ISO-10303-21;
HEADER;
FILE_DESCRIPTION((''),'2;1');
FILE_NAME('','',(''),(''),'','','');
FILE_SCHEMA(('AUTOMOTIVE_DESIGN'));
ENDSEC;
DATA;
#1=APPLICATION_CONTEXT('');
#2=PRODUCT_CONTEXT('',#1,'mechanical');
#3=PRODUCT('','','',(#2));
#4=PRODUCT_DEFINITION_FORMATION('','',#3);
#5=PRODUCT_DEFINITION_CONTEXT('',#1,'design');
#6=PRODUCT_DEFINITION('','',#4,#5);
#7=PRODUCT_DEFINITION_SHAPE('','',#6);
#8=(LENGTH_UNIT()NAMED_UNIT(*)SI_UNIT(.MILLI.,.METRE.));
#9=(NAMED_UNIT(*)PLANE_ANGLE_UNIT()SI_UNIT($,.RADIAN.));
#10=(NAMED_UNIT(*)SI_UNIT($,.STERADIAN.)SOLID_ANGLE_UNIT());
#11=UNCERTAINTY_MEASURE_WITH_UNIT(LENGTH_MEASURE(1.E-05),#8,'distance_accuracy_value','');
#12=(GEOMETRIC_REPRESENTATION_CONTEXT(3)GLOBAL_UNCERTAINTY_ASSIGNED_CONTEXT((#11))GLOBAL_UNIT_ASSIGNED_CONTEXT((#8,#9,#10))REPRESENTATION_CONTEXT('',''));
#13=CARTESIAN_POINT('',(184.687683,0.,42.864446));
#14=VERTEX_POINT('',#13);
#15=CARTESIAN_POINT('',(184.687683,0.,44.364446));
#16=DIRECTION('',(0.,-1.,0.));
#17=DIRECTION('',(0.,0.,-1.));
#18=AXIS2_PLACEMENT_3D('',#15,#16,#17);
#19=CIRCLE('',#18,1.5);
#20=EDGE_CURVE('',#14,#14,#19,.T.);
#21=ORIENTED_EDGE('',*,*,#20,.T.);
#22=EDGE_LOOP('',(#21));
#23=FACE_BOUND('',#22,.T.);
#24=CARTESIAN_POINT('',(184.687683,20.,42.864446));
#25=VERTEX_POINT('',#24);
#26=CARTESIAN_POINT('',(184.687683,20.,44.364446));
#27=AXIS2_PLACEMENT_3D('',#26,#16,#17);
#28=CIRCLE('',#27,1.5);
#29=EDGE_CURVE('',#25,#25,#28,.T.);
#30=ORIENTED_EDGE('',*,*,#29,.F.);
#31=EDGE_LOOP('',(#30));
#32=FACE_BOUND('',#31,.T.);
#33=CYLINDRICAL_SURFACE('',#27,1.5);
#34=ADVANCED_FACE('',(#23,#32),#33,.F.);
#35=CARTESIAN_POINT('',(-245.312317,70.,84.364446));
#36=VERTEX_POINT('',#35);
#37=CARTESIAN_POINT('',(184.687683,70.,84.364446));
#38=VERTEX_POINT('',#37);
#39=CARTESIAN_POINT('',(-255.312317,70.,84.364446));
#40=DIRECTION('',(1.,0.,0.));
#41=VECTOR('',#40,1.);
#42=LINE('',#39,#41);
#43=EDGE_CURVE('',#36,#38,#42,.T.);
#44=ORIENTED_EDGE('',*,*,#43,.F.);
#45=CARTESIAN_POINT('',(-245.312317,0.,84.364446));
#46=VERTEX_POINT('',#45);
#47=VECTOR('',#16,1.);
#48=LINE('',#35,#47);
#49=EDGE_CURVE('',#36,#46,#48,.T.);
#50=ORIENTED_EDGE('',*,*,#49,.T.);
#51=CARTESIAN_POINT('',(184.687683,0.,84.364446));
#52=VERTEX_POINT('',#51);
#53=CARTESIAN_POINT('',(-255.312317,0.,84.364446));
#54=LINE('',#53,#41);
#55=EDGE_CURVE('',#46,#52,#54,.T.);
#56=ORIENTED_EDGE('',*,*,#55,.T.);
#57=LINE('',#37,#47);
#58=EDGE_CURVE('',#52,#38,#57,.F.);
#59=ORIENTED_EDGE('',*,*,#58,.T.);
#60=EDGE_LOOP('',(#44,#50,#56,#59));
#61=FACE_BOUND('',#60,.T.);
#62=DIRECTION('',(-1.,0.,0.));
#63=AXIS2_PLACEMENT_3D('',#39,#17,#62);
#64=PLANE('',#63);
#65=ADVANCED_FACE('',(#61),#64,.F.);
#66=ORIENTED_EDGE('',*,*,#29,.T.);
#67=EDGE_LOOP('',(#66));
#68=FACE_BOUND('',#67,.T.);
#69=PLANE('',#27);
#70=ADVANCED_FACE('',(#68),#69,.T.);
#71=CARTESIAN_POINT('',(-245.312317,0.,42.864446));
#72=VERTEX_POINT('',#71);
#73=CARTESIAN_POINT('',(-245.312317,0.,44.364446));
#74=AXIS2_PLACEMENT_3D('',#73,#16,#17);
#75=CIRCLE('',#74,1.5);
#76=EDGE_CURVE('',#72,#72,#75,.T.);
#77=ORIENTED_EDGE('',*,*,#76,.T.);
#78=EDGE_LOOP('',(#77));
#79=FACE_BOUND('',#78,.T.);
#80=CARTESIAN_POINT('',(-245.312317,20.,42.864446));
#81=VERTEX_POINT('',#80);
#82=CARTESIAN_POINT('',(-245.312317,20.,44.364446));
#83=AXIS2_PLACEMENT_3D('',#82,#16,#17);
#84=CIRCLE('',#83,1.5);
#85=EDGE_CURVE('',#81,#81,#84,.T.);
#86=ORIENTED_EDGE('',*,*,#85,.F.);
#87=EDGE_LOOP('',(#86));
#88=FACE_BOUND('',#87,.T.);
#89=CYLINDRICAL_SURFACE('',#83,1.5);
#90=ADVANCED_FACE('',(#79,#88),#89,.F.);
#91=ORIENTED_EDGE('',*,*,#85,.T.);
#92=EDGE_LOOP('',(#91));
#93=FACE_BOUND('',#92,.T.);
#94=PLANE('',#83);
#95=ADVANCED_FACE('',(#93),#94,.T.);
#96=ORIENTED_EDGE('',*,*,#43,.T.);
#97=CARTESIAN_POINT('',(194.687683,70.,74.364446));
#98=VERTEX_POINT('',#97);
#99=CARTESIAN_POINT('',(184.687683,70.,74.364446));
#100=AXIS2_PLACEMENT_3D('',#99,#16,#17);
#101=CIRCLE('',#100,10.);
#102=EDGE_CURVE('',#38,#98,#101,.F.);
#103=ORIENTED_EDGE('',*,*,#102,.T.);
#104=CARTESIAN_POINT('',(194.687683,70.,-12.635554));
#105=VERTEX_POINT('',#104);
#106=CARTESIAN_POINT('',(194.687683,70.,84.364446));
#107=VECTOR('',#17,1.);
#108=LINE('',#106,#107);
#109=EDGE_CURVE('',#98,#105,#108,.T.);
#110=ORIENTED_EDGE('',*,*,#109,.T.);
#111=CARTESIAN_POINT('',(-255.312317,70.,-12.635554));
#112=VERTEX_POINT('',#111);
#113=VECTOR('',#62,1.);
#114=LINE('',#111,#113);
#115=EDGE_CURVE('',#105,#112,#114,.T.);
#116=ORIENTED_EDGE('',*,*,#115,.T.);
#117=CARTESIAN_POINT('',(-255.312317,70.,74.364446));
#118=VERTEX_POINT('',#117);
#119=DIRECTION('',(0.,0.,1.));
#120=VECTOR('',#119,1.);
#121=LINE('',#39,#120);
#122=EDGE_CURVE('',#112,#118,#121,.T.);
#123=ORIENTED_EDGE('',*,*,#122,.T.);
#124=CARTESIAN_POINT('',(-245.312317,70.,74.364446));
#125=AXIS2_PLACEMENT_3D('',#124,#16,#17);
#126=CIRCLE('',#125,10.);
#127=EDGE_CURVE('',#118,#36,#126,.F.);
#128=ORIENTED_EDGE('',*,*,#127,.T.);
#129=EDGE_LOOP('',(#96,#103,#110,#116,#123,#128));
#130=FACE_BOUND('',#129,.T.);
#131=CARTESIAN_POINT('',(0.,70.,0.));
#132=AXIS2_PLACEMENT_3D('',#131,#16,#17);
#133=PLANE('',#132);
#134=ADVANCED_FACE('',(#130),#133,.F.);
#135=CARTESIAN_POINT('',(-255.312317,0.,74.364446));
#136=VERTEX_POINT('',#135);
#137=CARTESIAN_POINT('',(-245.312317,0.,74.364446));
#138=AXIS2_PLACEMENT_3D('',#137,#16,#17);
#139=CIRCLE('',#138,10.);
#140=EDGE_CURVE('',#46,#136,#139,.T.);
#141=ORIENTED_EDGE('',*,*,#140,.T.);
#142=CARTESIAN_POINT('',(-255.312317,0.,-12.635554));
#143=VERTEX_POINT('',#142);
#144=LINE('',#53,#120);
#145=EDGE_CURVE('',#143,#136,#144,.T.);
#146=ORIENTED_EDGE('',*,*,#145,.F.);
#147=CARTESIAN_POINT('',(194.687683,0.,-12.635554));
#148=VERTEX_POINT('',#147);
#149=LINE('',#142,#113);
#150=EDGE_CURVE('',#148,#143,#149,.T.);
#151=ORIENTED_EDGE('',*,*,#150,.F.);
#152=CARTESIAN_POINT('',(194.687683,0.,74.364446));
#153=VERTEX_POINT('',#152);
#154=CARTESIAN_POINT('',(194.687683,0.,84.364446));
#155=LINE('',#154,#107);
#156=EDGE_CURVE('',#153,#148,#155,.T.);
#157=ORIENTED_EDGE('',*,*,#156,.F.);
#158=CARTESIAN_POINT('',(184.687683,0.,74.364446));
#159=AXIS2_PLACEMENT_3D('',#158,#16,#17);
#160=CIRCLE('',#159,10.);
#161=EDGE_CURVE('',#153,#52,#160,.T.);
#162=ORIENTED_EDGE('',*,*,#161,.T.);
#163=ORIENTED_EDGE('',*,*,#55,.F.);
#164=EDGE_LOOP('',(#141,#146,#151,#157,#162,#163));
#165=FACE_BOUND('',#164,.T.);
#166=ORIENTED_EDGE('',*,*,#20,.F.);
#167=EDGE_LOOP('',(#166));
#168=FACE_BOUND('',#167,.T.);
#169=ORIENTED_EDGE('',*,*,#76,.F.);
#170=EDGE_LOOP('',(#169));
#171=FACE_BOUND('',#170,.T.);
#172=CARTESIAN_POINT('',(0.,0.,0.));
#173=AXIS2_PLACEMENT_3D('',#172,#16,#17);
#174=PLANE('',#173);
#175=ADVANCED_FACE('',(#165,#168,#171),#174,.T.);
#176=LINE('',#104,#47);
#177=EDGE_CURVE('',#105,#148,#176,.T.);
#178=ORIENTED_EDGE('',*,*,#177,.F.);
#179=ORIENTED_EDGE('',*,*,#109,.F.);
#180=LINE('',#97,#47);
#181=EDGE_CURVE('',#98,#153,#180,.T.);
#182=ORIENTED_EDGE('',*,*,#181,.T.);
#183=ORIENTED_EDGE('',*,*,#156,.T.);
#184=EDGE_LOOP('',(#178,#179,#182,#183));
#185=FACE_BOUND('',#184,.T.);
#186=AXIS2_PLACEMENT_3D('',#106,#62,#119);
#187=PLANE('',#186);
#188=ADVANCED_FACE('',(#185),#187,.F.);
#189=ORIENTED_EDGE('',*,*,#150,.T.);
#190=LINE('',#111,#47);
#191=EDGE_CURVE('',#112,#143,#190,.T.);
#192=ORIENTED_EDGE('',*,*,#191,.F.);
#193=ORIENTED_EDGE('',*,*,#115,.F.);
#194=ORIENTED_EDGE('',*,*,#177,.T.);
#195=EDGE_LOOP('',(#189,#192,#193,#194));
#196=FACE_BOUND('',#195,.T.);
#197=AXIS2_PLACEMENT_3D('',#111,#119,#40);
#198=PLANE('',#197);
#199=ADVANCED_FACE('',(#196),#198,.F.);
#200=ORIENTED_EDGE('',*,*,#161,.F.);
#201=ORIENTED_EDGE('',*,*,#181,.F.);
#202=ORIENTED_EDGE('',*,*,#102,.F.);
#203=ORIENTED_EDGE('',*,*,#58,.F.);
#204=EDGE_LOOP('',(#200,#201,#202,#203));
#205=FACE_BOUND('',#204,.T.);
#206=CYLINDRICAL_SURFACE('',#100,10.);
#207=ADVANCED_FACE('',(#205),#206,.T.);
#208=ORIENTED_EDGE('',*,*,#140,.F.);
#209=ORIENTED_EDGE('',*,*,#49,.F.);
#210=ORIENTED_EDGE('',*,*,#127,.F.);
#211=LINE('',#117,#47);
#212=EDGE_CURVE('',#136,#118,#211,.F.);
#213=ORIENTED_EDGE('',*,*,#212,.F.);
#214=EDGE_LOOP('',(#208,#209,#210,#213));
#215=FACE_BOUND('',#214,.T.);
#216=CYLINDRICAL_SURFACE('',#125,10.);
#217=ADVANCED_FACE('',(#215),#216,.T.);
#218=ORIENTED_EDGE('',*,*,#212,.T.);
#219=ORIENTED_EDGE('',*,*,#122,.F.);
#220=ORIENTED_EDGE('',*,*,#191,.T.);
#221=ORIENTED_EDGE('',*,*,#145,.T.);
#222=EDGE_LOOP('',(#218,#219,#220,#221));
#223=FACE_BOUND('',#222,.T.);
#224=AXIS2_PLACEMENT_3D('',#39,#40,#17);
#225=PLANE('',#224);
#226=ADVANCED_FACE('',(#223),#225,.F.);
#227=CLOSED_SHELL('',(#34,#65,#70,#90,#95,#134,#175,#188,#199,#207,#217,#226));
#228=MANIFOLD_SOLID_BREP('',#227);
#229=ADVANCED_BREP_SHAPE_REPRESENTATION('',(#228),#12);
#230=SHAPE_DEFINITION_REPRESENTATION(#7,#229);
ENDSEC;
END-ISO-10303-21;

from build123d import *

# Parameters (mm, degrees)
SKETCH1_W           = 450
SKETCH1_H           = 97
BOSS_EXTRUDE1_DEPTH = 70
FILLET1_R           = 10
SKETCH2_R           = 1.5
CUT_EXTRUDE1_DEPTH  = 20


with BuildPart() as part:
    # Sketch1 → Boss-Extrude1 (new body)
    with BuildSketch(Plane(origin=(0, 0, 0), x_dir=(1, 0, 0), z_dir=(0, 1, 0))):
        with Locations((-30.312317216, -35.86444631)):
            Rectangle(SKETCH1_W, SKETCH1_H)
    extrude(amount=BOSS_EXTRUDE1_DEPTH)

    # Fillet1
    fillet1_edges = [part.edges().sort_by_distance(p)[0] for p in [
        (194.687682784, 35, 84.36444631),
        (-255.312317216, 35, 84.36444631),
    ]]
    fillet(fillet1_edges, radius=FILLET1_R)

    # Sketch2 → Cut-Extrude1 (cut)
    with BuildSketch(Plane(origin=(0, 0, 0), x_dir=(-1, 0, 0), z_dir=(0, -1, 0))):
        with Locations(Location((-184.687682784, -44.36444631, 0), (0, 0, 90))):
            Circle(SKETCH2_R)
        with Locations(Location((245.312317216, -44.36444631, 0), (0, 0, 90))):
            Circle(SKETCH2_R)
    extrude(amount=-CUT_EXTRUDE1_DEPTH, mode=Mode.SUBTRACT)


solid = part.part
